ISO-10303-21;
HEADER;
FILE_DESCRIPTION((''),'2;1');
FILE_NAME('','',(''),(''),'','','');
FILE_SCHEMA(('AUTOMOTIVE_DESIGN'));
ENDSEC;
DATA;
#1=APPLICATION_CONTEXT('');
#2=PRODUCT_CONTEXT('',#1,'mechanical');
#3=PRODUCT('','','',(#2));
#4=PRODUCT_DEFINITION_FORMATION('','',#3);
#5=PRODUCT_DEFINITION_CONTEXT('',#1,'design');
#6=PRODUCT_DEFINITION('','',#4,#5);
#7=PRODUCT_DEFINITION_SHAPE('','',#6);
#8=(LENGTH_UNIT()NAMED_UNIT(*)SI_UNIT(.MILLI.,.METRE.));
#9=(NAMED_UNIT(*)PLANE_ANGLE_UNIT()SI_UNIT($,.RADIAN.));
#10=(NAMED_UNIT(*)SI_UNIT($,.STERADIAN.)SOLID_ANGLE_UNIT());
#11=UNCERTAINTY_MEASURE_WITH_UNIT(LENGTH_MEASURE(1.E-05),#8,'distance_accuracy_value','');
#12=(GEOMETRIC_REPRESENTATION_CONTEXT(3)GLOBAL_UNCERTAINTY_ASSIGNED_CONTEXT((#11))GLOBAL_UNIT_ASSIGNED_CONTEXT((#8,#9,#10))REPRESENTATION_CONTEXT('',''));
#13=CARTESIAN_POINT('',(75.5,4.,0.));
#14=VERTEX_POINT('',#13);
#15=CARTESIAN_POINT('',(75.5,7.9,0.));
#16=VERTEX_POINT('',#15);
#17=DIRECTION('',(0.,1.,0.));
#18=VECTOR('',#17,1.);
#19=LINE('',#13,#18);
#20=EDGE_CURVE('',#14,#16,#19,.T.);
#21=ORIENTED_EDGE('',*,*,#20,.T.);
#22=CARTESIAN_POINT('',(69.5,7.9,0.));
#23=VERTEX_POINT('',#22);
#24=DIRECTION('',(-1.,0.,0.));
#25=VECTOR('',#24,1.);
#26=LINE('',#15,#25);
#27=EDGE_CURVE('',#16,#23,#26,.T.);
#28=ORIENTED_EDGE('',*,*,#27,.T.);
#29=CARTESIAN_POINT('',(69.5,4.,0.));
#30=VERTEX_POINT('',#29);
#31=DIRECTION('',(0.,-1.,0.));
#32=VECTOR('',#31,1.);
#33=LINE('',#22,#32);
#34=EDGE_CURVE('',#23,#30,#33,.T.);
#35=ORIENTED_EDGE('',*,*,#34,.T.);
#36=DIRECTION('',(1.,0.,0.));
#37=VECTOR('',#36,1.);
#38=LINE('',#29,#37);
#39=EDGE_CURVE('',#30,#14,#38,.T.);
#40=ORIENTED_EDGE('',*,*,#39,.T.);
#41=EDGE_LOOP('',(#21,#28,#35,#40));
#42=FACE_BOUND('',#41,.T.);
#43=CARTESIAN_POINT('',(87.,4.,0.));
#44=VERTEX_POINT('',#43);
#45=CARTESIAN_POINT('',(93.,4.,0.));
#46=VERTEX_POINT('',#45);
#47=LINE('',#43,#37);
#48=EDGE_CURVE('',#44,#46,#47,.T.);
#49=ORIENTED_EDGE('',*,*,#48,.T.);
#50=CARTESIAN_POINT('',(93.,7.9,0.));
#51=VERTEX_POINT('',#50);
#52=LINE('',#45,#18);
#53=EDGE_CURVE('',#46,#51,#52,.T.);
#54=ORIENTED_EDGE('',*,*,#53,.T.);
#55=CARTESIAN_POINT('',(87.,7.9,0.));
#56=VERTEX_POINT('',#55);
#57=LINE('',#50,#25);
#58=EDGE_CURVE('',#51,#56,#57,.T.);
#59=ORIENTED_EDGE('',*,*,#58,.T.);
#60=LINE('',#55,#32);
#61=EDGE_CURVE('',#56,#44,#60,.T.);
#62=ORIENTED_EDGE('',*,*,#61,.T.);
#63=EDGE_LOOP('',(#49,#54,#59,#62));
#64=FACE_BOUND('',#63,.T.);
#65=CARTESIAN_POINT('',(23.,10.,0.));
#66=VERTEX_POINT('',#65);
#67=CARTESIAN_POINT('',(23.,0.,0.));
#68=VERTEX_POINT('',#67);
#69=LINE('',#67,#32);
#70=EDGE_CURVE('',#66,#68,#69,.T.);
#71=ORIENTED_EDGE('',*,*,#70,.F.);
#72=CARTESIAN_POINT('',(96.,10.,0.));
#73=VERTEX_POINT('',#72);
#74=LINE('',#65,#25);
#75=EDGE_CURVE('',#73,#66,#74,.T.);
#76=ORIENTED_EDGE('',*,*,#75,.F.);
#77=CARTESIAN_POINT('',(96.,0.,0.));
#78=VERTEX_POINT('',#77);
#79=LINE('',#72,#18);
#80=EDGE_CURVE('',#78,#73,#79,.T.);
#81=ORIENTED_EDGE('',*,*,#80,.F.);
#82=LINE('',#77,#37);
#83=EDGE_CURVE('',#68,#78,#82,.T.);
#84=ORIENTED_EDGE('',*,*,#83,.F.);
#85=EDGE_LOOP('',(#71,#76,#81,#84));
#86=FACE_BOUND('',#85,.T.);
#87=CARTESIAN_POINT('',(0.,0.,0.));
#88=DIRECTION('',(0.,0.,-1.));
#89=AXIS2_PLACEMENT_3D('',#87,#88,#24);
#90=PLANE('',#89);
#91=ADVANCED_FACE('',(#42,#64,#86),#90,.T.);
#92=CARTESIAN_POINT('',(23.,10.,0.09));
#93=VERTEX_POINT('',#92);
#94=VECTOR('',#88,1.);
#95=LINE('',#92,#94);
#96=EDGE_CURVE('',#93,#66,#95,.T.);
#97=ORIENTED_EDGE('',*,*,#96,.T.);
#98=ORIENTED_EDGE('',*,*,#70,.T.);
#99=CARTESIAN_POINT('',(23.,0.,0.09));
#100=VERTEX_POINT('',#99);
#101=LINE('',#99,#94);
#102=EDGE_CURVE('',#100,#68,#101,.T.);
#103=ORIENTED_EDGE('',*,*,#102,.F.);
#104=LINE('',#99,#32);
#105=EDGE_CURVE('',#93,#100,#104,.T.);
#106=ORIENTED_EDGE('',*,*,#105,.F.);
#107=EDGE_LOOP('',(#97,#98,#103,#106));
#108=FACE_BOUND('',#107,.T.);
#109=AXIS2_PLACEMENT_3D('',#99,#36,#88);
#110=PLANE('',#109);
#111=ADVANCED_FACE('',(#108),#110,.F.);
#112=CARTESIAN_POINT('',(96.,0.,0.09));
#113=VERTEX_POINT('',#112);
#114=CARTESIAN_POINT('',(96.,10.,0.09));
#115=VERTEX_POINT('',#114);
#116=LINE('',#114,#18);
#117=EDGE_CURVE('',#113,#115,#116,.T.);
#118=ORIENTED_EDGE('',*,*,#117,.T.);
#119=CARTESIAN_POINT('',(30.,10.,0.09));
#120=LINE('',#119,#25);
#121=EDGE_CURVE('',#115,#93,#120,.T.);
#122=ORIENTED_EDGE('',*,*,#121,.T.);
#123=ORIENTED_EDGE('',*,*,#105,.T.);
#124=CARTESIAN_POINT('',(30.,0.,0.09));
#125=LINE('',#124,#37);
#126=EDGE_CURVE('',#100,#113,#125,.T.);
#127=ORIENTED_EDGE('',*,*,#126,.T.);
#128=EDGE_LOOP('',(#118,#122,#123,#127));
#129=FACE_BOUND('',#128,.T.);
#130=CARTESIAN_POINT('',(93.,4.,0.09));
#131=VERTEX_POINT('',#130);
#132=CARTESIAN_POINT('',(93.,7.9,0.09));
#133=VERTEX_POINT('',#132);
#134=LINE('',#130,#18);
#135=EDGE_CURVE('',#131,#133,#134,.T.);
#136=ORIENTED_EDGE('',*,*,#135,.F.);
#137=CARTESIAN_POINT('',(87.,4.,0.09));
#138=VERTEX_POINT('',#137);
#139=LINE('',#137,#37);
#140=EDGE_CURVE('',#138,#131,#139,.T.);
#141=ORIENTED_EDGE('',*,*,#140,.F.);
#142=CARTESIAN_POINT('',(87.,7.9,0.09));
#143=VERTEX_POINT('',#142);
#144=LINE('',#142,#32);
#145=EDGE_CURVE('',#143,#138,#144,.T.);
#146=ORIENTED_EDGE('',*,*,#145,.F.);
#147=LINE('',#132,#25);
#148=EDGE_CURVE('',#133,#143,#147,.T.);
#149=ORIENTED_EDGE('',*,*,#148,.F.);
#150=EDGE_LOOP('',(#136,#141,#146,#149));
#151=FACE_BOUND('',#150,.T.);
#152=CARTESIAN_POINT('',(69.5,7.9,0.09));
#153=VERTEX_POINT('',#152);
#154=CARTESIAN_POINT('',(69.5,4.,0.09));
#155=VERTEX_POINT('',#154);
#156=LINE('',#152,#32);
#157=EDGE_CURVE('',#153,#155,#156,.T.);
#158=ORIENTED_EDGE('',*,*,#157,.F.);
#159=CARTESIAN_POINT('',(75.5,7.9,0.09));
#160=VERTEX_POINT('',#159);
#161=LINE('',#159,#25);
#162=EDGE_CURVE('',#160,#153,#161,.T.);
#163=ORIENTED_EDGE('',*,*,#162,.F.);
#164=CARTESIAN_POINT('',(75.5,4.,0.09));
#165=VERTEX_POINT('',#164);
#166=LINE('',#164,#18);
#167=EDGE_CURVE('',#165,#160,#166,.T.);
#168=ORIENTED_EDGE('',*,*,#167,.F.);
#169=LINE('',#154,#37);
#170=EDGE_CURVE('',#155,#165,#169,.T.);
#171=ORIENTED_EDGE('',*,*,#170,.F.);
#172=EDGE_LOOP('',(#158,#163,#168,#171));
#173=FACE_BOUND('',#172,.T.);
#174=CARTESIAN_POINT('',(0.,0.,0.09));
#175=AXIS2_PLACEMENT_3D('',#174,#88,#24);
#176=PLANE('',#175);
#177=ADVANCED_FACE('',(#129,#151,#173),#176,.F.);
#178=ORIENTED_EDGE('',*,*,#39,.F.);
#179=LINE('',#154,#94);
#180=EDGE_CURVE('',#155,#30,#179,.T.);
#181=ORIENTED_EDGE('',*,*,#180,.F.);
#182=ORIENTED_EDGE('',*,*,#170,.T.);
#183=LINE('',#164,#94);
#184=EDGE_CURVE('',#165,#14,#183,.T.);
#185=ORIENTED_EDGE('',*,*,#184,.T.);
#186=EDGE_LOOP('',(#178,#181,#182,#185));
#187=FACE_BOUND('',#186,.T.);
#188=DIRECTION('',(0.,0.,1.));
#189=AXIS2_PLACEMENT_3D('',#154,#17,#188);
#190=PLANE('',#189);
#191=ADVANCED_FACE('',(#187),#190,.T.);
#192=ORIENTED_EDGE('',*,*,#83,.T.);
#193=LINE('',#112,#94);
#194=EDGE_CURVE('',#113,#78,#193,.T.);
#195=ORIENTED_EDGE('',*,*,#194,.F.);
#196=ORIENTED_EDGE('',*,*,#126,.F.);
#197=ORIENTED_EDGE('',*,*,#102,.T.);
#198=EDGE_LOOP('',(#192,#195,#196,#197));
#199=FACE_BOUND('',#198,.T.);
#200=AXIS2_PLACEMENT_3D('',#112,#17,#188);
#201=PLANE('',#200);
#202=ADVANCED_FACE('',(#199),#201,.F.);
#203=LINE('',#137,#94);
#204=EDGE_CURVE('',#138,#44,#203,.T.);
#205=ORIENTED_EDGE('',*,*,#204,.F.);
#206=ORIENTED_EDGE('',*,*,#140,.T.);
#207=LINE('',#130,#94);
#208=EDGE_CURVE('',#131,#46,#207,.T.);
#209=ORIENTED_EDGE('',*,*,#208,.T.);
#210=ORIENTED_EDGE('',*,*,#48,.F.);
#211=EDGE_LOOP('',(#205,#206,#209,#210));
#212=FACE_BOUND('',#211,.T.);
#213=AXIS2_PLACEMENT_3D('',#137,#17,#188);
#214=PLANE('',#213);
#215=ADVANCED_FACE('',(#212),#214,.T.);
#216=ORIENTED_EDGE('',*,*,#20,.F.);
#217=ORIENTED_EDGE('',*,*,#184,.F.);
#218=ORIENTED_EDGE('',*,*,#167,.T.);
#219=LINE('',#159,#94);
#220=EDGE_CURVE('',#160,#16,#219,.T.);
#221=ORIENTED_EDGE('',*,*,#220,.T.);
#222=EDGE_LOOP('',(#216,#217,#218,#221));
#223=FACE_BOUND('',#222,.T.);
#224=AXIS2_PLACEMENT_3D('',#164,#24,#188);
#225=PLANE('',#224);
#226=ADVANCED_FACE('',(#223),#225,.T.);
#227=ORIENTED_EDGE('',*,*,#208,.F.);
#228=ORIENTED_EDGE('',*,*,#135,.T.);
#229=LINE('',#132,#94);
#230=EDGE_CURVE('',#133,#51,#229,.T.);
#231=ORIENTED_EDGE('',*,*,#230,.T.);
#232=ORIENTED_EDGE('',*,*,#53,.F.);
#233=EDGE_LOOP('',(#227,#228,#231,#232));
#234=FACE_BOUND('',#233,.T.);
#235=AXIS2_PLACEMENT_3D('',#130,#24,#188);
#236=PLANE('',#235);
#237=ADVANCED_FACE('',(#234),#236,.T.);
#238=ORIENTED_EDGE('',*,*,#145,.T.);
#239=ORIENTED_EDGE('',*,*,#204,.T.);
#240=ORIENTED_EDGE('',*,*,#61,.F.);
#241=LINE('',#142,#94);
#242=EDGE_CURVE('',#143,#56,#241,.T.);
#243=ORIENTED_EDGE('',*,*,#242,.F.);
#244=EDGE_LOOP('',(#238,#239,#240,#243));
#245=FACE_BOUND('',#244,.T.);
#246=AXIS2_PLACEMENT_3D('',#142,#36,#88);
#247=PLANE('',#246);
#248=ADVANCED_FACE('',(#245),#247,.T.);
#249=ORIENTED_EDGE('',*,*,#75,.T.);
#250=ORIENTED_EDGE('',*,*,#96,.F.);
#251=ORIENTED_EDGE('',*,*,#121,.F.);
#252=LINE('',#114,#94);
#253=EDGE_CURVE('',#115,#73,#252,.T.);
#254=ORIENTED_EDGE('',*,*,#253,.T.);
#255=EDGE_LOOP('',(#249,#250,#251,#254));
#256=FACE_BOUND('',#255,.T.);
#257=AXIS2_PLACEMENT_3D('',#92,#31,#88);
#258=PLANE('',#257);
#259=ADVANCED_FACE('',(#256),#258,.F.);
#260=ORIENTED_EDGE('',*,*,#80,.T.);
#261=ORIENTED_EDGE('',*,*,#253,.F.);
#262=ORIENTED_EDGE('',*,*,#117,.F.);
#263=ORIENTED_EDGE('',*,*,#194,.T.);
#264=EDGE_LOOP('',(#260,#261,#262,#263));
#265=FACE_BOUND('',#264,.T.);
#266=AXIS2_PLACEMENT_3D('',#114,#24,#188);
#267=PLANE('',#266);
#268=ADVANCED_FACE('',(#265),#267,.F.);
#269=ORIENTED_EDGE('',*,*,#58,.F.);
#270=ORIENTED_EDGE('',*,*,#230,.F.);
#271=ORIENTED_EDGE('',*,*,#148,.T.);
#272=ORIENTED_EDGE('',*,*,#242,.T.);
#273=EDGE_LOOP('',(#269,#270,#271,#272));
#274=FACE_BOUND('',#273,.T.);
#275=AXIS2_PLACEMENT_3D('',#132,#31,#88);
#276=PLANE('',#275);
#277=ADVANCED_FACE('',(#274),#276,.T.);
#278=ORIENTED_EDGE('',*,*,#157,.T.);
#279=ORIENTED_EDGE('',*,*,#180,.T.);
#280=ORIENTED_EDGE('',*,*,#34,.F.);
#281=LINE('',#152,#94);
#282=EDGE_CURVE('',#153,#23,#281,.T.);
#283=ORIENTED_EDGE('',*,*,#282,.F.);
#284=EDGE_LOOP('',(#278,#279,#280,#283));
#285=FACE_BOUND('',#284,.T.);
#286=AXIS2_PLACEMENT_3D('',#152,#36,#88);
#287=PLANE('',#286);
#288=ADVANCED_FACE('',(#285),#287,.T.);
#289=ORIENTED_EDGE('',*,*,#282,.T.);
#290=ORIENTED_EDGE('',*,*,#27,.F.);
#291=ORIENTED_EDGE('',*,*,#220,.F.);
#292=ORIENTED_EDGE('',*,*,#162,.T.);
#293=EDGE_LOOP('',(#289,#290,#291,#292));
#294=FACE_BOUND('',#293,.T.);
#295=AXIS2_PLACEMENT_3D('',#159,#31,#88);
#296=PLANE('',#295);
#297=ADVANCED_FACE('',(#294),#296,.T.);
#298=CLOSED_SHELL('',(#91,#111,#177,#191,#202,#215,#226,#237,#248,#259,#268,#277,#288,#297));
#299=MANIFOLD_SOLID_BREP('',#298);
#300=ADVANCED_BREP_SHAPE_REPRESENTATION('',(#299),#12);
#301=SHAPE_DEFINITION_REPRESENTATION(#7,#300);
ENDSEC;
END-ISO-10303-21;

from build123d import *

# Parameters (mm, degrees)
SKETCH1_W           = 6
SKETCH1_H           = 3.9
BOSS_EXTRUDE1_DEPTH = 0.09


with BuildPart() as part:
    # Sketch1 → Boss-Extrude1 (new body)
    with BuildSketch(Plane.XY):
        Polygon((96, 0), (30, 0), (23, 0), (23, 10), (30, 10), (96, 10), align=None)
        with Locations((90, 5.95)):
            Rectangle(SKETCH1_W, SKETCH1_H, mode=Mode.SUBTRACT)
        with Locations((72.5, 5.95)):
            Rectangle(SKETCH1_W, SKETCH1_H, mode=Mode.SUBTRACT)
    extrude(amount=BOSS_EXTRUDE1_DEPTH)


solid = part.part
